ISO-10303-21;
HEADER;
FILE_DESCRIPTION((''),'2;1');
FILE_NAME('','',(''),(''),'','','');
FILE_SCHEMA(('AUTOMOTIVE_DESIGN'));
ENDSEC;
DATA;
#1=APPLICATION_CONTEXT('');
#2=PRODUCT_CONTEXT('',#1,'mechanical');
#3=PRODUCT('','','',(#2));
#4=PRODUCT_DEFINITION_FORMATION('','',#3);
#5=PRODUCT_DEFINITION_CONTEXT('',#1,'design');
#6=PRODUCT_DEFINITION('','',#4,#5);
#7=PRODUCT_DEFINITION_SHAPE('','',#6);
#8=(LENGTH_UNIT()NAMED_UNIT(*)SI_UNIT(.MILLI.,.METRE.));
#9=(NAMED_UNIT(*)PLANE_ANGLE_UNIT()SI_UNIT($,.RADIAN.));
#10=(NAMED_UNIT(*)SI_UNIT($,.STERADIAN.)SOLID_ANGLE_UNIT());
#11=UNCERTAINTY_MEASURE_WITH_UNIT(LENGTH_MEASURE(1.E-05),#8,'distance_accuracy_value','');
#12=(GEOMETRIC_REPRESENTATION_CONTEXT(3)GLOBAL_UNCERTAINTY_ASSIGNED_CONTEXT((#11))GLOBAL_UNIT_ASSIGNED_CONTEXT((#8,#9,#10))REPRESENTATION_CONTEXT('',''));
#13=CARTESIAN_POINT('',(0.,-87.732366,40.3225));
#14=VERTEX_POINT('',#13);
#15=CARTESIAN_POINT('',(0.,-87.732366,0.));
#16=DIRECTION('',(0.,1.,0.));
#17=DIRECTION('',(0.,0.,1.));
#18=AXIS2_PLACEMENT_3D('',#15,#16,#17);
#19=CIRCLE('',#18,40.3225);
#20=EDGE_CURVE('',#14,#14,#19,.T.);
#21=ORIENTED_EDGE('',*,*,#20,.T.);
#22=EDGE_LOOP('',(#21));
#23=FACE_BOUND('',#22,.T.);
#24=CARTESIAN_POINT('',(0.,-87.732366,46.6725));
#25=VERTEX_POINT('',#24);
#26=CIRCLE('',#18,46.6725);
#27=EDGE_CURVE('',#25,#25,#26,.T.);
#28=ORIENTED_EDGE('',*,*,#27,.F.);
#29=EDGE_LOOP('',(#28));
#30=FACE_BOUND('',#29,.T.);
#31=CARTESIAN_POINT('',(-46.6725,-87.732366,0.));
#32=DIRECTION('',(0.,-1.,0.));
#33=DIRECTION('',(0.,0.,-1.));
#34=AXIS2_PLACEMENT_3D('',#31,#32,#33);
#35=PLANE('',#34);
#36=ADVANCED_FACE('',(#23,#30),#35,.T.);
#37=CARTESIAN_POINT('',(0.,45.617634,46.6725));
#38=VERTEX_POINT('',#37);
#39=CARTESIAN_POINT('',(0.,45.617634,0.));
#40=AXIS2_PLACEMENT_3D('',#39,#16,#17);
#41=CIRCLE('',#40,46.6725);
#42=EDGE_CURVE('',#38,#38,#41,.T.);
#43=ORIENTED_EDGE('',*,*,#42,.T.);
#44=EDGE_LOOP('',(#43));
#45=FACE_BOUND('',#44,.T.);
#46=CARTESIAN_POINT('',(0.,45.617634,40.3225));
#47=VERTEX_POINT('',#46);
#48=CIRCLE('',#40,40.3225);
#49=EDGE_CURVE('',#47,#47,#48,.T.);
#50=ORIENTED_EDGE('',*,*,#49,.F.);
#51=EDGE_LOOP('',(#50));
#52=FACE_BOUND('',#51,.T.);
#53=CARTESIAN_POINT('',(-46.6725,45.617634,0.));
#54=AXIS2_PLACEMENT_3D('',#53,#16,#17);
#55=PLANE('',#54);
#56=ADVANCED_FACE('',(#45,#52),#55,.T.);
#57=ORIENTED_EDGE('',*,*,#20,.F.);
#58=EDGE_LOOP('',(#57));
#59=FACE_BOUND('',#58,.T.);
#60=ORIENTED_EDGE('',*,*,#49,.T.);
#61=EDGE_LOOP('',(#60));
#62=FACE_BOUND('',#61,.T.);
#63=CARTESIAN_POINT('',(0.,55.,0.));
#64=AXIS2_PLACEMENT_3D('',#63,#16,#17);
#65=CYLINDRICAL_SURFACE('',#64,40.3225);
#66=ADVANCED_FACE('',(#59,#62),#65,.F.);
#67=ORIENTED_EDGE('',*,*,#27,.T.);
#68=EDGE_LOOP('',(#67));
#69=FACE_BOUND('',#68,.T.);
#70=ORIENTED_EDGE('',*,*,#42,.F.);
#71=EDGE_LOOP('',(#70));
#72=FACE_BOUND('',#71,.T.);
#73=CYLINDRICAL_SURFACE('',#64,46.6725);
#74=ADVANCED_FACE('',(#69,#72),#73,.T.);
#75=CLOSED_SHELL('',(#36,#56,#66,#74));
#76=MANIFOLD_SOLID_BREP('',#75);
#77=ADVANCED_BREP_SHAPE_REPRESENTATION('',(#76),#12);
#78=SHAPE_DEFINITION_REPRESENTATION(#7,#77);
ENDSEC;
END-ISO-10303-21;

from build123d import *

# Parameters (mm, degrees)
SKETCH1_W = 6.35
SKETCH1_H = 133.35


with BuildPart() as part:
    # Sketch1 → Revolve1 (revolve)
    with BuildSketch(Plane.XY):
        with Locations((-43.4975, -21.057365567)):
            Rectangle(SKETCH1_W, SKETCH1_H)
    revolve(axis=Axis((0, 55, 0), (0, -1, 0)))


solid = part.part
